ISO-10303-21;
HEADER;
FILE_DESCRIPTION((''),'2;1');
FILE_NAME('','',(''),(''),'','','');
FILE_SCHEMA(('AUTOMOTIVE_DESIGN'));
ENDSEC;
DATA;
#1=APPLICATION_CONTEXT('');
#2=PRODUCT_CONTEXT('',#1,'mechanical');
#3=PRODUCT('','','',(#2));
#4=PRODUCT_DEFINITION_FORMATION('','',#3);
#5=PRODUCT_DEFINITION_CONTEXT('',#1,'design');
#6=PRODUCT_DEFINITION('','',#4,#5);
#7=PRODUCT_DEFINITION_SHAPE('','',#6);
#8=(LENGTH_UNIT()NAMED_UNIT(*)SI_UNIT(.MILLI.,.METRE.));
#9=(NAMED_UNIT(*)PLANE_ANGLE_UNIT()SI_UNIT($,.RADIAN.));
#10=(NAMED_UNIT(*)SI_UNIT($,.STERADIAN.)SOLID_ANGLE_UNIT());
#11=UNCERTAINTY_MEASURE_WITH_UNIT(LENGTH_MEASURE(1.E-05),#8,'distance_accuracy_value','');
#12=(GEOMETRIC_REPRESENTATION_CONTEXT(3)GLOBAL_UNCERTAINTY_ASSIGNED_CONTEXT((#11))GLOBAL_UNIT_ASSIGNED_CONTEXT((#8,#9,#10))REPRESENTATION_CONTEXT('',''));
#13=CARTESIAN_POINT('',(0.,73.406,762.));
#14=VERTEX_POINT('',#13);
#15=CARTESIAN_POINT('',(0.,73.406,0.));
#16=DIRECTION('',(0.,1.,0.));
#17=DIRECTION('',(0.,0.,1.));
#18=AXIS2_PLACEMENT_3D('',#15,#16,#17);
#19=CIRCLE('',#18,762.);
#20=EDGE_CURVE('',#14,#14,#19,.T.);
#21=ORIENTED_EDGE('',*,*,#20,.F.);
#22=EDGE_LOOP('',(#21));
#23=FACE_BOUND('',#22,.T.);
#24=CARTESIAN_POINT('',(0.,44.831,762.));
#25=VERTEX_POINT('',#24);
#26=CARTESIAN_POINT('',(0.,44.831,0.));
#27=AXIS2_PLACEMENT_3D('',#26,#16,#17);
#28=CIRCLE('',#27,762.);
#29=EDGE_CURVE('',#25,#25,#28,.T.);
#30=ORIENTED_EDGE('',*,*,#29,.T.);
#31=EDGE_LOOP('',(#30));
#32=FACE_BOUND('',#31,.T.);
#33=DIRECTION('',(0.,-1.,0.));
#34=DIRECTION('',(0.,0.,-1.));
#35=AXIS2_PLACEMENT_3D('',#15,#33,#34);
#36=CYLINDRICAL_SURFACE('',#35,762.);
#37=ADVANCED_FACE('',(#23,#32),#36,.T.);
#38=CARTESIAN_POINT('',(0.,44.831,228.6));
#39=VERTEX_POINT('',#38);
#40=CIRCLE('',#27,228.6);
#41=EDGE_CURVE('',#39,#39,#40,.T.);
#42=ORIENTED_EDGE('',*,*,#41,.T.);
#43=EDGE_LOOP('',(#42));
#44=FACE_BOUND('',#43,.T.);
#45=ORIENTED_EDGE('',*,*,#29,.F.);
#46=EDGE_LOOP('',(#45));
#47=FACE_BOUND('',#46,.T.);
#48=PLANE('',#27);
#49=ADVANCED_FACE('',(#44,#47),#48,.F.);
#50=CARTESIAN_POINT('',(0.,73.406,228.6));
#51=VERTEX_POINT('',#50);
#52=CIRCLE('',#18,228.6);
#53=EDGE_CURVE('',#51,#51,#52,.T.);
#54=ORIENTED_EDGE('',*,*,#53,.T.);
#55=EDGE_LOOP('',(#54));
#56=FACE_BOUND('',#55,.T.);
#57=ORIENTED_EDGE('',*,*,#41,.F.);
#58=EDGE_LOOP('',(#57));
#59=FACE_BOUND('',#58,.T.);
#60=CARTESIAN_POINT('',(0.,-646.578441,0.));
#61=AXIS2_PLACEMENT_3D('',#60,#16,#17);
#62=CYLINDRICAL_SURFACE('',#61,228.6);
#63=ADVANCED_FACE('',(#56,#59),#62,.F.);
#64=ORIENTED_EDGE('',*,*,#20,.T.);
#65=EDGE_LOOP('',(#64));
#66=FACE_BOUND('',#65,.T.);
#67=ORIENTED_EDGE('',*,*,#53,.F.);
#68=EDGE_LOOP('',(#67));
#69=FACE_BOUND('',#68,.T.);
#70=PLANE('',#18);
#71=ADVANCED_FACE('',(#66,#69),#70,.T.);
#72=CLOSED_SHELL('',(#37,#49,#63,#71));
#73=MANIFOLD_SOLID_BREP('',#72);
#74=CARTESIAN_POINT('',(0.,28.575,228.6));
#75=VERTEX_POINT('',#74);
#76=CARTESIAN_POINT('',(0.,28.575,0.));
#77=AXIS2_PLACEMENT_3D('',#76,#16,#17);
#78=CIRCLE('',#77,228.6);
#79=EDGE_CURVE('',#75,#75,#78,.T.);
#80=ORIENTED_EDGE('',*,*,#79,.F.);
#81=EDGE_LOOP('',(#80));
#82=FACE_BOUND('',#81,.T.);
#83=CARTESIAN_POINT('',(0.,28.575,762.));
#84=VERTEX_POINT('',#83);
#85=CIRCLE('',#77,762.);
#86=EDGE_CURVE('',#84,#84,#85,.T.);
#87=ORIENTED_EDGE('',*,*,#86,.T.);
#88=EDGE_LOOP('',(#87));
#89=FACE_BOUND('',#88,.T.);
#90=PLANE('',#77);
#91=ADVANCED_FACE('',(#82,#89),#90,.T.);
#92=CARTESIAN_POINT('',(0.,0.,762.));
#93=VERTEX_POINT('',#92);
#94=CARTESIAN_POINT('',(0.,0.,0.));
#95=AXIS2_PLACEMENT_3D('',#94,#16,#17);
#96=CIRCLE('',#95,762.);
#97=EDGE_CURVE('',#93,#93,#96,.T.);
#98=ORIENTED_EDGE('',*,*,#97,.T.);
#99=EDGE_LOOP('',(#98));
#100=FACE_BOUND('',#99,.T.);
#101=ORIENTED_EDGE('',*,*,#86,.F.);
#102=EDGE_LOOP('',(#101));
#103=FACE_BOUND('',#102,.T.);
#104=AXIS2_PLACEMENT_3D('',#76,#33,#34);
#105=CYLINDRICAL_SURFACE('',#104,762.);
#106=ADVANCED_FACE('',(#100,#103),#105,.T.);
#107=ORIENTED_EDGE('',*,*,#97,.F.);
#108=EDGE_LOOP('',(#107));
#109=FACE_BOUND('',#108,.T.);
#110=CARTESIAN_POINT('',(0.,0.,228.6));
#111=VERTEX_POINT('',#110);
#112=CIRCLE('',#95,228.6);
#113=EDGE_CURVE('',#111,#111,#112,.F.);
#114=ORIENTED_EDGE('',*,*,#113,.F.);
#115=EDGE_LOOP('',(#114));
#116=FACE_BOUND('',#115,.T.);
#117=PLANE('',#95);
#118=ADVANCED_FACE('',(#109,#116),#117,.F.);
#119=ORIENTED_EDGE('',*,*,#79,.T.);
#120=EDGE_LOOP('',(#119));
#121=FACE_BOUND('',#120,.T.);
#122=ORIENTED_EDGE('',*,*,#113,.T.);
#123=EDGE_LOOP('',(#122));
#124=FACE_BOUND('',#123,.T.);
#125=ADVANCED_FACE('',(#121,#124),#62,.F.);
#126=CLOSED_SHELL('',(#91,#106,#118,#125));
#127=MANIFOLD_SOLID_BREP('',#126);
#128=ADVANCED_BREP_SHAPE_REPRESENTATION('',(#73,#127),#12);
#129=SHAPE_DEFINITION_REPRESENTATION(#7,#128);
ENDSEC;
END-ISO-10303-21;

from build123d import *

# Parameters (mm, degrees)
SKETCH1_R          = 762
BOTTOMTABLE_DEPTH  = 28.575
SKETCH2_R          = 762
TOPTABLE_DEPTH     = 28.575
CUT_EXTRUDE1_START = -73.406
SKETCH3_R          = 228.6
CUT_EXTRUDE1_DEPTH = 73.406


with BuildPart() as part:
    # Sketch1 → bottomTable (new body)
    with BuildSketch(Plane(origin=(0, 0, 0), x_dir=(1, 0, 0), z_dir=(0, 1, 0))):
        with Locations(Location((0, 0, 0), (0, 0, 270))):
            Circle(SKETCH1_R)
    extrude(amount=BOTTOMTABLE_DEPTH)


with BuildPart() as body_2:
    # Sketch2 → topTable (new body)
    with BuildSketch(Plane(origin=(0, 44.831, 0), x_dir=(1, 0, 0), z_dir=(0, 1, 0))):
        with Locations(Location((0, 0, 0), (0, 0, 270))):
            Circle(SKETCH2_R)
    extrude(amount=TOPTABLE_DEPTH)


with BuildPart() as cut_extrude1_tool:
    # Sketch3 → Cut-Extrude1 (new body)
    with BuildSketch(Plane(origin=(0, 73.406, 0), x_dir=(1, 0, 0), z_dir=(0, 1, 0)).offset(CUT_EXTRUDE1_START)):
        with Locations(Location((0, 0, 0), (0, 0, 270))):
            Circle(SKETCH3_R)
    extrude(amount=CUT_EXTRUDE1_DEPTH)


with BuildPart() as part_1:
    add(part.part)

    # Cut-Extrude1: cut by cut_extrude1_tool
    add(cut_extrude1_tool.part, mode=Mode.SUBTRACT)


with BuildPart() as body_2_1:
    add(body_2.part)

    # Cut-Extrude1: cut by cut_extrude1_tool
    add(cut_extrude1_tool.part, mode=Mode.SUBTRACT)


solid = Compound([part_1.part, body_2_1.part])
